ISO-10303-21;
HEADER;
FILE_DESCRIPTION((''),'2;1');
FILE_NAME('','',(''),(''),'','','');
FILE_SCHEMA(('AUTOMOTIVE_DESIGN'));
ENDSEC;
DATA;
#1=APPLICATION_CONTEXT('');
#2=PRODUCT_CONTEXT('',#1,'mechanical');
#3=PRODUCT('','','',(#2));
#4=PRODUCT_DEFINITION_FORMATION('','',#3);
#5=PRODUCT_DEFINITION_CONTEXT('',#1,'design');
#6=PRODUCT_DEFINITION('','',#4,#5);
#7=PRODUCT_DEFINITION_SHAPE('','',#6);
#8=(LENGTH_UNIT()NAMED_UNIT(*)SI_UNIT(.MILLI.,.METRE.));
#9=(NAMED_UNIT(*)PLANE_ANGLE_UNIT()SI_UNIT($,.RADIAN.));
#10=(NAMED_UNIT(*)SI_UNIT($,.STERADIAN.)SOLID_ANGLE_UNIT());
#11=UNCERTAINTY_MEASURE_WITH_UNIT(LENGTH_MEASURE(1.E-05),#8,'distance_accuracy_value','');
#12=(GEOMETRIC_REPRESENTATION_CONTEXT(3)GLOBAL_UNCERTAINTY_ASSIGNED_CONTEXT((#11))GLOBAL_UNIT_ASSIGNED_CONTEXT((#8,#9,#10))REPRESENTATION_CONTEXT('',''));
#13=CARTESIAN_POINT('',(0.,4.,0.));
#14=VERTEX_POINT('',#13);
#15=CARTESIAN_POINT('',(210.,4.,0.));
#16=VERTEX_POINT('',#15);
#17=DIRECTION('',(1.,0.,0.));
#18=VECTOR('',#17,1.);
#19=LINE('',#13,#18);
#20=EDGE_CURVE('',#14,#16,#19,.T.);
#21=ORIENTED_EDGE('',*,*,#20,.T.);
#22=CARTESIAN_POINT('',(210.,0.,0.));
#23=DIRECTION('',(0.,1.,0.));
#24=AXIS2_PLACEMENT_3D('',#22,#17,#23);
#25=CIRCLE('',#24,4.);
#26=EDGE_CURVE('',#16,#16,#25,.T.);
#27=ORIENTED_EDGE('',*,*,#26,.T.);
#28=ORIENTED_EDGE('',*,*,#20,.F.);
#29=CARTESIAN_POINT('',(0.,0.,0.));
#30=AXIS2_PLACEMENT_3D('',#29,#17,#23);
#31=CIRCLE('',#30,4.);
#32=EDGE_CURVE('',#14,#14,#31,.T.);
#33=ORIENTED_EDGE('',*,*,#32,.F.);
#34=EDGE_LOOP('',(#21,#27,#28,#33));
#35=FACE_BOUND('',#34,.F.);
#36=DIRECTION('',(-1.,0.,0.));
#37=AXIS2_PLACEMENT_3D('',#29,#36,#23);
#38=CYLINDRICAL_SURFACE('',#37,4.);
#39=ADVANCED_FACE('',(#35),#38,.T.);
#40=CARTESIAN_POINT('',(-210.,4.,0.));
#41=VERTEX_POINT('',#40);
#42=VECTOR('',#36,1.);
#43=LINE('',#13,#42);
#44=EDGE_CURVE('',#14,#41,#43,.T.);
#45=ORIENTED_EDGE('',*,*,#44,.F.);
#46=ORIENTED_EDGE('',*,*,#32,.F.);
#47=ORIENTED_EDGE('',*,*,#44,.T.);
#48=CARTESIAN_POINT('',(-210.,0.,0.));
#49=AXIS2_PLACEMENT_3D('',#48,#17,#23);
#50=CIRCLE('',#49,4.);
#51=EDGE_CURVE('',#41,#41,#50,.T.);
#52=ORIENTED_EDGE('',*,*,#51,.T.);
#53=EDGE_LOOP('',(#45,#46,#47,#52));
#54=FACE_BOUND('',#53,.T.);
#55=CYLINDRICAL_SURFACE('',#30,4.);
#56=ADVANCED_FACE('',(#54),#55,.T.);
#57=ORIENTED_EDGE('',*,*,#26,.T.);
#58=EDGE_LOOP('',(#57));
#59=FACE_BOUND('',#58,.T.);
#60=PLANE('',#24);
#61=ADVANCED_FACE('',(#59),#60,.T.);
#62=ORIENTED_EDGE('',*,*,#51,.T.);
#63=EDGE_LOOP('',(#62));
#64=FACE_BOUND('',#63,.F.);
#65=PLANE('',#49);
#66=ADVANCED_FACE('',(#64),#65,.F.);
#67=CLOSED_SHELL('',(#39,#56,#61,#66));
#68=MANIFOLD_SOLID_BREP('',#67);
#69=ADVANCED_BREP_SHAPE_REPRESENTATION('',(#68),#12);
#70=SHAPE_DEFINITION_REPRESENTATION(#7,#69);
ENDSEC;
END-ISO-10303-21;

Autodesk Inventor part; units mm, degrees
ref_plane "YZ Plane" through (0, 0, 0) normal (1, 0, 0) x (0, 1, 0)
ref_plane "XZ Plane" through (0, 0, 0) normal (0, 1, 0) x (-1, 0, 0)
ref_plane "XY Plane" through (0, 0, 0) normal (0, 0, 1) x (1, 0, 0)
sketch "Skizze1" plane through (0, 0, 0) normal (1, 0, 0) x (0, 1, 0)
  circle A0 centre (0, 0) radius 4
  dimension "d0" = 8
extrude "Extrusion1" add sketch "Skizze1" along normal mid plane 420
properties part number "YAchse"
